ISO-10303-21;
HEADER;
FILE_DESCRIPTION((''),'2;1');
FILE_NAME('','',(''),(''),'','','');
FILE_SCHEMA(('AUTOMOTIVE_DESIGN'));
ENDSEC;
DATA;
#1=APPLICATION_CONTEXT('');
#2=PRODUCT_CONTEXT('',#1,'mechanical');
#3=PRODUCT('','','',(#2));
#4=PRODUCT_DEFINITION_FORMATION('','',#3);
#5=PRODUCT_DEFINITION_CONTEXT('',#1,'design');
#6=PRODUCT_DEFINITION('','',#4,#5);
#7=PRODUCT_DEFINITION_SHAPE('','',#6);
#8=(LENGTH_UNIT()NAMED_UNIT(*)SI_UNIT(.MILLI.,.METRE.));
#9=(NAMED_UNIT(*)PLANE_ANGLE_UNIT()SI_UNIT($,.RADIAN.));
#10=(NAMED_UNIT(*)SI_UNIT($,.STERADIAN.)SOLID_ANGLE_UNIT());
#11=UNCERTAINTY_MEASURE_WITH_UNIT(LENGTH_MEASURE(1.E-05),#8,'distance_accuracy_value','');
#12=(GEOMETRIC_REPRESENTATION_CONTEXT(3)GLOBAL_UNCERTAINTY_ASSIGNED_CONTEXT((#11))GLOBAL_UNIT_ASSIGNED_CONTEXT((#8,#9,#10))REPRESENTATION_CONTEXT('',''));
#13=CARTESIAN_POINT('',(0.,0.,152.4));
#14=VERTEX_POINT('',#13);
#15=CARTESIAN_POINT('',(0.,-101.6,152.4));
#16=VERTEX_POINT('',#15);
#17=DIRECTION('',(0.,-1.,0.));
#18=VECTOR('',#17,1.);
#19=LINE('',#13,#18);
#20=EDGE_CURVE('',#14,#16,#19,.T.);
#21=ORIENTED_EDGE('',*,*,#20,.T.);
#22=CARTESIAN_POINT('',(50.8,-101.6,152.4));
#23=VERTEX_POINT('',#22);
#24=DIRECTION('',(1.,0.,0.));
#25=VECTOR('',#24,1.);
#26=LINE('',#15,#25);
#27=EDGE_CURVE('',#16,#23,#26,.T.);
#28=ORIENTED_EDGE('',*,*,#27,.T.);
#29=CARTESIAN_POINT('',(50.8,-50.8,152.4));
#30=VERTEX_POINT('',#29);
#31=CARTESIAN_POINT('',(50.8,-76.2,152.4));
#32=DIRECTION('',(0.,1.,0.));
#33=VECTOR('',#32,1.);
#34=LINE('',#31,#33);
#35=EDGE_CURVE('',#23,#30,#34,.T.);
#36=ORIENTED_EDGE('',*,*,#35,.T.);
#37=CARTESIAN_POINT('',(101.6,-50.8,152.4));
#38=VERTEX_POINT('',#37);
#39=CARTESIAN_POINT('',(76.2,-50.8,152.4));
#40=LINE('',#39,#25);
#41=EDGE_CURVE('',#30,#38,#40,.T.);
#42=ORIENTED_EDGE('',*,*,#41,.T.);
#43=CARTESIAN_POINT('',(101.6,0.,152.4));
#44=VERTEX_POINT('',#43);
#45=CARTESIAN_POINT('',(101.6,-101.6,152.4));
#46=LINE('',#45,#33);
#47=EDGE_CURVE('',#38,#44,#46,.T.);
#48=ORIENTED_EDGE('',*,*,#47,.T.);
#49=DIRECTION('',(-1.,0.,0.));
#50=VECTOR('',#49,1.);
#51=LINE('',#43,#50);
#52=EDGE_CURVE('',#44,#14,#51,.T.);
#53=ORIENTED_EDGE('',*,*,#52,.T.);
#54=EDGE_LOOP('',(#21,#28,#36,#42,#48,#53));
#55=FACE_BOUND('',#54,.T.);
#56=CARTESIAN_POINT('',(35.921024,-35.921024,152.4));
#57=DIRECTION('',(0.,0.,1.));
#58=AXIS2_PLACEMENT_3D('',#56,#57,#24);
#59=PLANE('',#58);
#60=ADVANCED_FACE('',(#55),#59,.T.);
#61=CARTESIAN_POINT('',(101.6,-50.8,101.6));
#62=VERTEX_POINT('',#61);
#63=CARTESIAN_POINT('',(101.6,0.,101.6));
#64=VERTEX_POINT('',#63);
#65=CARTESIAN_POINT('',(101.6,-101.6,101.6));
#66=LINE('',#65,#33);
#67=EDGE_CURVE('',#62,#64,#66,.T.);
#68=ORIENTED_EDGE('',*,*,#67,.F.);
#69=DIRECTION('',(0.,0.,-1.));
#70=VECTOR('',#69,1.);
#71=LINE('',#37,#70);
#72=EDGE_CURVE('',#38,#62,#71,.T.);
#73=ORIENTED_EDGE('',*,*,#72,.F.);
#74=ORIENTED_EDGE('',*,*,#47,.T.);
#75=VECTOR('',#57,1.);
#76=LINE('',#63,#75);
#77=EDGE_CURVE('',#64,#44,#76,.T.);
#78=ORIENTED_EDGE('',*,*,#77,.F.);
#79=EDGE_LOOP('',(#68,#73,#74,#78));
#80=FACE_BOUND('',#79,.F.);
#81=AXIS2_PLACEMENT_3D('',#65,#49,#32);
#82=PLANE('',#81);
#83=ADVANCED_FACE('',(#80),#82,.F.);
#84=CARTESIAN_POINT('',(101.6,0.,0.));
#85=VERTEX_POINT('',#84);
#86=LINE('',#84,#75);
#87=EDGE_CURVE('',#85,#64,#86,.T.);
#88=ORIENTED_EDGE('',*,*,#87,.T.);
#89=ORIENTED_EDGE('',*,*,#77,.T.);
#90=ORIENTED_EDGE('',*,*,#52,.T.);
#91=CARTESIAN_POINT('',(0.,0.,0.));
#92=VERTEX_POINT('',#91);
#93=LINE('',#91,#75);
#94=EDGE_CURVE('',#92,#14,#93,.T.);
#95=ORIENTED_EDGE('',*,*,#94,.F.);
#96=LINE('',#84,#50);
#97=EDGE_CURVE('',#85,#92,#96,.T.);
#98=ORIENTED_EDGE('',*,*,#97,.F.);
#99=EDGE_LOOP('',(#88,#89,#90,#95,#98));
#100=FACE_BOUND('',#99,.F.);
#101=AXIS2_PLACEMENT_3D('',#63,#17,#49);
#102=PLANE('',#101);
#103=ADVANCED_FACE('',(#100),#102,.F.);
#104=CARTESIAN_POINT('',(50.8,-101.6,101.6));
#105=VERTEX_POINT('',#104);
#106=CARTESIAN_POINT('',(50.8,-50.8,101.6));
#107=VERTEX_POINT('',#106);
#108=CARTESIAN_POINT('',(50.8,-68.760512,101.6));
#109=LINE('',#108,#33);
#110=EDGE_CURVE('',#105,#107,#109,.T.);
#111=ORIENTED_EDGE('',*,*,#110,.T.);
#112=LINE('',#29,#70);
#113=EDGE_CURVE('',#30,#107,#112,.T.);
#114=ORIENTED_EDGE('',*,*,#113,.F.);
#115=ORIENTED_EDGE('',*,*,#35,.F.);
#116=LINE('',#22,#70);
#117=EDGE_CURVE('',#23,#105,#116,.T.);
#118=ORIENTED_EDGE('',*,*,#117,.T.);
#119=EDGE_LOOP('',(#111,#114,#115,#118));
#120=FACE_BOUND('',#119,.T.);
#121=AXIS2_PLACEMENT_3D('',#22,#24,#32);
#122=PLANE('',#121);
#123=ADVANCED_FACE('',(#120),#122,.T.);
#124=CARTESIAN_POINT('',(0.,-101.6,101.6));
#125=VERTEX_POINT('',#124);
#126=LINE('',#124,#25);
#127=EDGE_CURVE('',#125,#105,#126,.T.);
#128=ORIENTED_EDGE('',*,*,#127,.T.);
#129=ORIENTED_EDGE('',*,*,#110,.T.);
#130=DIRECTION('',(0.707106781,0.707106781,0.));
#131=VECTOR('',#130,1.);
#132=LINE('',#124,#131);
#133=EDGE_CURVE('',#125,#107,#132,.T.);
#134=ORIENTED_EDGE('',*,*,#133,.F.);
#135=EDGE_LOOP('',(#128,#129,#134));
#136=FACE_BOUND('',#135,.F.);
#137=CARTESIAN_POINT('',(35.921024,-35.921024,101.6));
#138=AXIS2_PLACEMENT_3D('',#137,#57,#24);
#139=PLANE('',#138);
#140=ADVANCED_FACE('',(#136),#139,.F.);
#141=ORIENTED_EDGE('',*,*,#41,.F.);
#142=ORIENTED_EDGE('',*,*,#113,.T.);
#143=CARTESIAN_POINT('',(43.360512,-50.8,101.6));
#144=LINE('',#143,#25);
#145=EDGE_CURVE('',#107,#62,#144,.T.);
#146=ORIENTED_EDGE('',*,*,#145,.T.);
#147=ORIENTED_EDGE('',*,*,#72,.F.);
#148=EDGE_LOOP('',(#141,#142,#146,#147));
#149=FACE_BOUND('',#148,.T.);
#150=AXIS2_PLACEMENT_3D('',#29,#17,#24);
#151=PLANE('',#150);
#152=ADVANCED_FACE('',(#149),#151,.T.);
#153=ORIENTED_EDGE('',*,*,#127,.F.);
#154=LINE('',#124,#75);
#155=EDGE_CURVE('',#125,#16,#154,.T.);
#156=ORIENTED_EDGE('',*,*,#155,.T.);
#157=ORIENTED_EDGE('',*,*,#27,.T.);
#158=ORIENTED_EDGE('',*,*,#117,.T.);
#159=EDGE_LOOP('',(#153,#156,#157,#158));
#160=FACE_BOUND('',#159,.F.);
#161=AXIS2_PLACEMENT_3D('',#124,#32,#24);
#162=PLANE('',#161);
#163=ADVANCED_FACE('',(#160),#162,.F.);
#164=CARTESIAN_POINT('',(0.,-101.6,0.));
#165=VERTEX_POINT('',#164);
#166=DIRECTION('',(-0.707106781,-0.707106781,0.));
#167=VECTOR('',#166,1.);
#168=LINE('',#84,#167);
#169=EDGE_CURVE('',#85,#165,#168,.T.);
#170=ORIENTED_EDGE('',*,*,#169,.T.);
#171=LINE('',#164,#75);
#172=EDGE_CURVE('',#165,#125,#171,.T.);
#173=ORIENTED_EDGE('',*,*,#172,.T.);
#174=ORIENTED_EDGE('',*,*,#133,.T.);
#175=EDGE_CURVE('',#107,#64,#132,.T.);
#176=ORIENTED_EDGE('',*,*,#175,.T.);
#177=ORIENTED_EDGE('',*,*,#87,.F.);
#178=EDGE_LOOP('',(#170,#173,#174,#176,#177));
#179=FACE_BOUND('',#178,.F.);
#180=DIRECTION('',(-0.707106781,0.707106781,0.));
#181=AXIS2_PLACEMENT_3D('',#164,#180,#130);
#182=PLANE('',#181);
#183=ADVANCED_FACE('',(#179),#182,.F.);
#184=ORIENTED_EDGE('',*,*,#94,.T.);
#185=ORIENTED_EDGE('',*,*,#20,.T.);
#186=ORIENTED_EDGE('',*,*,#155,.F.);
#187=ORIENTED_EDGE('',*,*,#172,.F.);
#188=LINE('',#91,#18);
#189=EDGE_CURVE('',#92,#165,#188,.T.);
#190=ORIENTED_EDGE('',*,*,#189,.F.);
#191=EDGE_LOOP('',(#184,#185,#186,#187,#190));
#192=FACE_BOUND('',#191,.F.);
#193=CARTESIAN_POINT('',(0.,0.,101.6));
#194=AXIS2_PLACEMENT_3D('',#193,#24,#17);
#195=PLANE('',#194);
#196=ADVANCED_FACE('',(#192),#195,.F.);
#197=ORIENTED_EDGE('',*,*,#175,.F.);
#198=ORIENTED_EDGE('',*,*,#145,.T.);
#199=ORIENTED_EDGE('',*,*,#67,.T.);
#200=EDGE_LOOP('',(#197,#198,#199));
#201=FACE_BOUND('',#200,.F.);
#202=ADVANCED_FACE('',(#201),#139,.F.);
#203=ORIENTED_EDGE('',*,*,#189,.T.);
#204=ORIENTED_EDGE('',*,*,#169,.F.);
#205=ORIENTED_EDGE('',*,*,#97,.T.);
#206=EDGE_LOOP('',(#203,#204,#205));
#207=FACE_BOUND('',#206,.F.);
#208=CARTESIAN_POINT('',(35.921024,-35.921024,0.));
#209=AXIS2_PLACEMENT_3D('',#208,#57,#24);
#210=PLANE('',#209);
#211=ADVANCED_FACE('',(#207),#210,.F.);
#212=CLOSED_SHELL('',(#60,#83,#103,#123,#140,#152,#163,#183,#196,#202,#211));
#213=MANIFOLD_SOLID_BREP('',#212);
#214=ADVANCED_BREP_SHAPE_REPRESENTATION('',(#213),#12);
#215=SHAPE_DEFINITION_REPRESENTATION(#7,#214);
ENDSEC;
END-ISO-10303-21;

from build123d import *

# Parameters (mm, degrees)
F1_DEPTH = 101.6
F3_DEPTH = 50.8
F4_W     = 50.8
F4_H     = 50.8
F5_DEPTH = 152.401


with BuildPart() as f1:
    # F0 (on Top) → F1 (new body)
    with BuildSketch(Plane.XY):
        Polygon((101.6, 0), (0, 0), (0, -101.6), align=None)
    extrude(amount=F1_DEPTH)

    # F2 (on face) → F3 (join)
    with BuildSketch(Plane.XY.offset(101.6)):
        Polygon((101.6, 0), (0, 0), (0, -101.6), align=None)
        Polygon((101.6, -101.6), (101.6, 0), (0, -101.6), align=None)
    extrude(amount=F3_DEPTH)

    # F4 (on face) → F5 (cut, through all)
    with BuildSketch(Plane.XY.offset(152.4)):
        with Locations((76.2, -76.2)):
            Rectangle(F4_W, F4_H)
    extrude(amount=-F5_DEPTH, mode=Mode.SUBTRACT)


solid = f1.part
